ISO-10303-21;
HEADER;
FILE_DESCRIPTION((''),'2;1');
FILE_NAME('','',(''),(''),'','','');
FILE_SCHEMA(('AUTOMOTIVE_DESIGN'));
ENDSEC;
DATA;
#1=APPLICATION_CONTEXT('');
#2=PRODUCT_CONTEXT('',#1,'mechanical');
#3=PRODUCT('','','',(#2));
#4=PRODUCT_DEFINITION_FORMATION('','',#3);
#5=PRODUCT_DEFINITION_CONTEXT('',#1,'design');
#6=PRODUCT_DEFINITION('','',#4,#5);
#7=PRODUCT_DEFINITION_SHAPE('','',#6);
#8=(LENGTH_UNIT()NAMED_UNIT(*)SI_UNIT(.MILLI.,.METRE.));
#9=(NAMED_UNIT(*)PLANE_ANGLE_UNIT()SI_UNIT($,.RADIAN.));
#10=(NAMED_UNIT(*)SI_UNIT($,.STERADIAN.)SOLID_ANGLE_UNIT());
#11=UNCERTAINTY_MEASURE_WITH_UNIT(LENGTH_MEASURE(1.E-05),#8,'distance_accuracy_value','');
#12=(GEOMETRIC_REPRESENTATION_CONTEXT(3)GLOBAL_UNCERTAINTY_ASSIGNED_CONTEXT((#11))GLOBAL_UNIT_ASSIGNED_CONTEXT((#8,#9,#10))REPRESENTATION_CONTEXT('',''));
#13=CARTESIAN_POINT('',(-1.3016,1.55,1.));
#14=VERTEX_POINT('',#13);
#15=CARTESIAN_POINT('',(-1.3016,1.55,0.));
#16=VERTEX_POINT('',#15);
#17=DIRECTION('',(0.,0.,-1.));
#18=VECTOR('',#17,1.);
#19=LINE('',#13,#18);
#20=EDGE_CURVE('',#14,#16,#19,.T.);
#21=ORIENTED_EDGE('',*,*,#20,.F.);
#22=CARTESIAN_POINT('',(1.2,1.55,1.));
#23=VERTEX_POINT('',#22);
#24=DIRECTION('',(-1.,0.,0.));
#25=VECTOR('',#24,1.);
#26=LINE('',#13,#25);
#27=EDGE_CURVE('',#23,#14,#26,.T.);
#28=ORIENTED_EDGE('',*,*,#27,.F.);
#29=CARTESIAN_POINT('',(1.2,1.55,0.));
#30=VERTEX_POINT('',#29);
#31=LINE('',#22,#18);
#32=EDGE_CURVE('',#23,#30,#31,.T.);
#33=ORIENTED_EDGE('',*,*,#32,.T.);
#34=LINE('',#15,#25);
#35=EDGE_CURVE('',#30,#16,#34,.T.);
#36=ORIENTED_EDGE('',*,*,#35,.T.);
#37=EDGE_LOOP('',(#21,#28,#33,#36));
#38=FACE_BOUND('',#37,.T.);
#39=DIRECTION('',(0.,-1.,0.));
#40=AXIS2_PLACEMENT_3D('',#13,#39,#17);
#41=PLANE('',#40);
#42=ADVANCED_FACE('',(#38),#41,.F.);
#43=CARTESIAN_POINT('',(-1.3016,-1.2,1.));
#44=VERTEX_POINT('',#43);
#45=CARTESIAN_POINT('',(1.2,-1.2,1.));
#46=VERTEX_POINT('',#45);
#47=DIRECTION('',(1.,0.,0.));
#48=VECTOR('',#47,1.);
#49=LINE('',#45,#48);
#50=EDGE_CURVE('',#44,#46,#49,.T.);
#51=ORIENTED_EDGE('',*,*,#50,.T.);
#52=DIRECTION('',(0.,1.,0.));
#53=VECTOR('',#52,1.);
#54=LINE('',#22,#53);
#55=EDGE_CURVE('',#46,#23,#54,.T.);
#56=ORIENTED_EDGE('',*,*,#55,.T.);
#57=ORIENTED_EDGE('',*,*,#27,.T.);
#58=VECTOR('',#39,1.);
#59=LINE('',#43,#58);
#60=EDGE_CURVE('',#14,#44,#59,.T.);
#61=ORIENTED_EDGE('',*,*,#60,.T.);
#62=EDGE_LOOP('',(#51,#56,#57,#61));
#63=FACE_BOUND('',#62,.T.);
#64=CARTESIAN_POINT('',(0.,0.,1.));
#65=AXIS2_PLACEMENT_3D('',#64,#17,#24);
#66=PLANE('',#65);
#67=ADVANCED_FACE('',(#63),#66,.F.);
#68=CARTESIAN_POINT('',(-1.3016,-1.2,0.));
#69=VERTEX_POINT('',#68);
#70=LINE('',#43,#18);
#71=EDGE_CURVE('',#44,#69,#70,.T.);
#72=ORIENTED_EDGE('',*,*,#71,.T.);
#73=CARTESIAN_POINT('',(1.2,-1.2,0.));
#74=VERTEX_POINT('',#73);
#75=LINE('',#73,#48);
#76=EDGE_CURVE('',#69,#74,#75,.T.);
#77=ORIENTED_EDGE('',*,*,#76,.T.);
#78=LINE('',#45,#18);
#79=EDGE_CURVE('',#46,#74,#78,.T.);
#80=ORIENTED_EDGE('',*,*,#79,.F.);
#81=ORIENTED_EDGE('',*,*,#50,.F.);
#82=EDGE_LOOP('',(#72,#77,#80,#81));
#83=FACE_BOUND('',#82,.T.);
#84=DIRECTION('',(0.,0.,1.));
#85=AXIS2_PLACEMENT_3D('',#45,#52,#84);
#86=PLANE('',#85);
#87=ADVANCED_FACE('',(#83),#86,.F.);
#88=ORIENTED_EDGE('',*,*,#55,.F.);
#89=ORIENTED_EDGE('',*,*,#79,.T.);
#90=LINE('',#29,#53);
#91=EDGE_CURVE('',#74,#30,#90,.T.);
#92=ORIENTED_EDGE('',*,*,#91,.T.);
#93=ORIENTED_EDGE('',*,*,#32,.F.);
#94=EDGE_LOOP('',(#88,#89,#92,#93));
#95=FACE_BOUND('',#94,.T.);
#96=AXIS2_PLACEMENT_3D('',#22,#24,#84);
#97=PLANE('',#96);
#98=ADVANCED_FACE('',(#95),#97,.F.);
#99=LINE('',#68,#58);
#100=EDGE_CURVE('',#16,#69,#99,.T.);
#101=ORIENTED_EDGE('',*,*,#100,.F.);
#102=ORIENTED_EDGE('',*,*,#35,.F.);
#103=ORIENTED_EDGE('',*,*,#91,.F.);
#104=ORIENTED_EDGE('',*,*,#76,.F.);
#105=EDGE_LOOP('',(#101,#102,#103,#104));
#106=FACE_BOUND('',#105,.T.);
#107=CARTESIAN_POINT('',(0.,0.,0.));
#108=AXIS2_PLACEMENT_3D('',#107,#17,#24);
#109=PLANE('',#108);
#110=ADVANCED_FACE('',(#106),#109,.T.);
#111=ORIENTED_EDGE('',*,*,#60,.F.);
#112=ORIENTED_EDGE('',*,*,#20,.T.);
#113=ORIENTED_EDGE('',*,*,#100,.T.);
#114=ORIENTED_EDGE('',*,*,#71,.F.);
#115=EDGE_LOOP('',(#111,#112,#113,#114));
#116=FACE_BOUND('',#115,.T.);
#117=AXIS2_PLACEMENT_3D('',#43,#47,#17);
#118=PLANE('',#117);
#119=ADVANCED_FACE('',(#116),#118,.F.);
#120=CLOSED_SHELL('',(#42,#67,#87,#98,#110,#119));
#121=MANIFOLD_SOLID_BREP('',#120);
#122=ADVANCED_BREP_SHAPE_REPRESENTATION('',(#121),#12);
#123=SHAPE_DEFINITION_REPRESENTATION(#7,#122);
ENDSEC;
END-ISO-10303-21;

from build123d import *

# Parameters (mm, degrees)
SKETCH1_W               = 2.5016
SKETCH1_H               = 2.75
COMPONENT_OUTLINE_DEPTH = 1


with BuildPart() as part:
    # Sketch1 → Component_Outline (new body)
    with BuildSketch(Plane.XY):
        with Locations((-0.0508, 0.175)):
            Rectangle(SKETCH1_W, SKETCH1_H)
    extrude(amount=COMPONENT_OUTLINE_DEPTH)


solid = part.part
